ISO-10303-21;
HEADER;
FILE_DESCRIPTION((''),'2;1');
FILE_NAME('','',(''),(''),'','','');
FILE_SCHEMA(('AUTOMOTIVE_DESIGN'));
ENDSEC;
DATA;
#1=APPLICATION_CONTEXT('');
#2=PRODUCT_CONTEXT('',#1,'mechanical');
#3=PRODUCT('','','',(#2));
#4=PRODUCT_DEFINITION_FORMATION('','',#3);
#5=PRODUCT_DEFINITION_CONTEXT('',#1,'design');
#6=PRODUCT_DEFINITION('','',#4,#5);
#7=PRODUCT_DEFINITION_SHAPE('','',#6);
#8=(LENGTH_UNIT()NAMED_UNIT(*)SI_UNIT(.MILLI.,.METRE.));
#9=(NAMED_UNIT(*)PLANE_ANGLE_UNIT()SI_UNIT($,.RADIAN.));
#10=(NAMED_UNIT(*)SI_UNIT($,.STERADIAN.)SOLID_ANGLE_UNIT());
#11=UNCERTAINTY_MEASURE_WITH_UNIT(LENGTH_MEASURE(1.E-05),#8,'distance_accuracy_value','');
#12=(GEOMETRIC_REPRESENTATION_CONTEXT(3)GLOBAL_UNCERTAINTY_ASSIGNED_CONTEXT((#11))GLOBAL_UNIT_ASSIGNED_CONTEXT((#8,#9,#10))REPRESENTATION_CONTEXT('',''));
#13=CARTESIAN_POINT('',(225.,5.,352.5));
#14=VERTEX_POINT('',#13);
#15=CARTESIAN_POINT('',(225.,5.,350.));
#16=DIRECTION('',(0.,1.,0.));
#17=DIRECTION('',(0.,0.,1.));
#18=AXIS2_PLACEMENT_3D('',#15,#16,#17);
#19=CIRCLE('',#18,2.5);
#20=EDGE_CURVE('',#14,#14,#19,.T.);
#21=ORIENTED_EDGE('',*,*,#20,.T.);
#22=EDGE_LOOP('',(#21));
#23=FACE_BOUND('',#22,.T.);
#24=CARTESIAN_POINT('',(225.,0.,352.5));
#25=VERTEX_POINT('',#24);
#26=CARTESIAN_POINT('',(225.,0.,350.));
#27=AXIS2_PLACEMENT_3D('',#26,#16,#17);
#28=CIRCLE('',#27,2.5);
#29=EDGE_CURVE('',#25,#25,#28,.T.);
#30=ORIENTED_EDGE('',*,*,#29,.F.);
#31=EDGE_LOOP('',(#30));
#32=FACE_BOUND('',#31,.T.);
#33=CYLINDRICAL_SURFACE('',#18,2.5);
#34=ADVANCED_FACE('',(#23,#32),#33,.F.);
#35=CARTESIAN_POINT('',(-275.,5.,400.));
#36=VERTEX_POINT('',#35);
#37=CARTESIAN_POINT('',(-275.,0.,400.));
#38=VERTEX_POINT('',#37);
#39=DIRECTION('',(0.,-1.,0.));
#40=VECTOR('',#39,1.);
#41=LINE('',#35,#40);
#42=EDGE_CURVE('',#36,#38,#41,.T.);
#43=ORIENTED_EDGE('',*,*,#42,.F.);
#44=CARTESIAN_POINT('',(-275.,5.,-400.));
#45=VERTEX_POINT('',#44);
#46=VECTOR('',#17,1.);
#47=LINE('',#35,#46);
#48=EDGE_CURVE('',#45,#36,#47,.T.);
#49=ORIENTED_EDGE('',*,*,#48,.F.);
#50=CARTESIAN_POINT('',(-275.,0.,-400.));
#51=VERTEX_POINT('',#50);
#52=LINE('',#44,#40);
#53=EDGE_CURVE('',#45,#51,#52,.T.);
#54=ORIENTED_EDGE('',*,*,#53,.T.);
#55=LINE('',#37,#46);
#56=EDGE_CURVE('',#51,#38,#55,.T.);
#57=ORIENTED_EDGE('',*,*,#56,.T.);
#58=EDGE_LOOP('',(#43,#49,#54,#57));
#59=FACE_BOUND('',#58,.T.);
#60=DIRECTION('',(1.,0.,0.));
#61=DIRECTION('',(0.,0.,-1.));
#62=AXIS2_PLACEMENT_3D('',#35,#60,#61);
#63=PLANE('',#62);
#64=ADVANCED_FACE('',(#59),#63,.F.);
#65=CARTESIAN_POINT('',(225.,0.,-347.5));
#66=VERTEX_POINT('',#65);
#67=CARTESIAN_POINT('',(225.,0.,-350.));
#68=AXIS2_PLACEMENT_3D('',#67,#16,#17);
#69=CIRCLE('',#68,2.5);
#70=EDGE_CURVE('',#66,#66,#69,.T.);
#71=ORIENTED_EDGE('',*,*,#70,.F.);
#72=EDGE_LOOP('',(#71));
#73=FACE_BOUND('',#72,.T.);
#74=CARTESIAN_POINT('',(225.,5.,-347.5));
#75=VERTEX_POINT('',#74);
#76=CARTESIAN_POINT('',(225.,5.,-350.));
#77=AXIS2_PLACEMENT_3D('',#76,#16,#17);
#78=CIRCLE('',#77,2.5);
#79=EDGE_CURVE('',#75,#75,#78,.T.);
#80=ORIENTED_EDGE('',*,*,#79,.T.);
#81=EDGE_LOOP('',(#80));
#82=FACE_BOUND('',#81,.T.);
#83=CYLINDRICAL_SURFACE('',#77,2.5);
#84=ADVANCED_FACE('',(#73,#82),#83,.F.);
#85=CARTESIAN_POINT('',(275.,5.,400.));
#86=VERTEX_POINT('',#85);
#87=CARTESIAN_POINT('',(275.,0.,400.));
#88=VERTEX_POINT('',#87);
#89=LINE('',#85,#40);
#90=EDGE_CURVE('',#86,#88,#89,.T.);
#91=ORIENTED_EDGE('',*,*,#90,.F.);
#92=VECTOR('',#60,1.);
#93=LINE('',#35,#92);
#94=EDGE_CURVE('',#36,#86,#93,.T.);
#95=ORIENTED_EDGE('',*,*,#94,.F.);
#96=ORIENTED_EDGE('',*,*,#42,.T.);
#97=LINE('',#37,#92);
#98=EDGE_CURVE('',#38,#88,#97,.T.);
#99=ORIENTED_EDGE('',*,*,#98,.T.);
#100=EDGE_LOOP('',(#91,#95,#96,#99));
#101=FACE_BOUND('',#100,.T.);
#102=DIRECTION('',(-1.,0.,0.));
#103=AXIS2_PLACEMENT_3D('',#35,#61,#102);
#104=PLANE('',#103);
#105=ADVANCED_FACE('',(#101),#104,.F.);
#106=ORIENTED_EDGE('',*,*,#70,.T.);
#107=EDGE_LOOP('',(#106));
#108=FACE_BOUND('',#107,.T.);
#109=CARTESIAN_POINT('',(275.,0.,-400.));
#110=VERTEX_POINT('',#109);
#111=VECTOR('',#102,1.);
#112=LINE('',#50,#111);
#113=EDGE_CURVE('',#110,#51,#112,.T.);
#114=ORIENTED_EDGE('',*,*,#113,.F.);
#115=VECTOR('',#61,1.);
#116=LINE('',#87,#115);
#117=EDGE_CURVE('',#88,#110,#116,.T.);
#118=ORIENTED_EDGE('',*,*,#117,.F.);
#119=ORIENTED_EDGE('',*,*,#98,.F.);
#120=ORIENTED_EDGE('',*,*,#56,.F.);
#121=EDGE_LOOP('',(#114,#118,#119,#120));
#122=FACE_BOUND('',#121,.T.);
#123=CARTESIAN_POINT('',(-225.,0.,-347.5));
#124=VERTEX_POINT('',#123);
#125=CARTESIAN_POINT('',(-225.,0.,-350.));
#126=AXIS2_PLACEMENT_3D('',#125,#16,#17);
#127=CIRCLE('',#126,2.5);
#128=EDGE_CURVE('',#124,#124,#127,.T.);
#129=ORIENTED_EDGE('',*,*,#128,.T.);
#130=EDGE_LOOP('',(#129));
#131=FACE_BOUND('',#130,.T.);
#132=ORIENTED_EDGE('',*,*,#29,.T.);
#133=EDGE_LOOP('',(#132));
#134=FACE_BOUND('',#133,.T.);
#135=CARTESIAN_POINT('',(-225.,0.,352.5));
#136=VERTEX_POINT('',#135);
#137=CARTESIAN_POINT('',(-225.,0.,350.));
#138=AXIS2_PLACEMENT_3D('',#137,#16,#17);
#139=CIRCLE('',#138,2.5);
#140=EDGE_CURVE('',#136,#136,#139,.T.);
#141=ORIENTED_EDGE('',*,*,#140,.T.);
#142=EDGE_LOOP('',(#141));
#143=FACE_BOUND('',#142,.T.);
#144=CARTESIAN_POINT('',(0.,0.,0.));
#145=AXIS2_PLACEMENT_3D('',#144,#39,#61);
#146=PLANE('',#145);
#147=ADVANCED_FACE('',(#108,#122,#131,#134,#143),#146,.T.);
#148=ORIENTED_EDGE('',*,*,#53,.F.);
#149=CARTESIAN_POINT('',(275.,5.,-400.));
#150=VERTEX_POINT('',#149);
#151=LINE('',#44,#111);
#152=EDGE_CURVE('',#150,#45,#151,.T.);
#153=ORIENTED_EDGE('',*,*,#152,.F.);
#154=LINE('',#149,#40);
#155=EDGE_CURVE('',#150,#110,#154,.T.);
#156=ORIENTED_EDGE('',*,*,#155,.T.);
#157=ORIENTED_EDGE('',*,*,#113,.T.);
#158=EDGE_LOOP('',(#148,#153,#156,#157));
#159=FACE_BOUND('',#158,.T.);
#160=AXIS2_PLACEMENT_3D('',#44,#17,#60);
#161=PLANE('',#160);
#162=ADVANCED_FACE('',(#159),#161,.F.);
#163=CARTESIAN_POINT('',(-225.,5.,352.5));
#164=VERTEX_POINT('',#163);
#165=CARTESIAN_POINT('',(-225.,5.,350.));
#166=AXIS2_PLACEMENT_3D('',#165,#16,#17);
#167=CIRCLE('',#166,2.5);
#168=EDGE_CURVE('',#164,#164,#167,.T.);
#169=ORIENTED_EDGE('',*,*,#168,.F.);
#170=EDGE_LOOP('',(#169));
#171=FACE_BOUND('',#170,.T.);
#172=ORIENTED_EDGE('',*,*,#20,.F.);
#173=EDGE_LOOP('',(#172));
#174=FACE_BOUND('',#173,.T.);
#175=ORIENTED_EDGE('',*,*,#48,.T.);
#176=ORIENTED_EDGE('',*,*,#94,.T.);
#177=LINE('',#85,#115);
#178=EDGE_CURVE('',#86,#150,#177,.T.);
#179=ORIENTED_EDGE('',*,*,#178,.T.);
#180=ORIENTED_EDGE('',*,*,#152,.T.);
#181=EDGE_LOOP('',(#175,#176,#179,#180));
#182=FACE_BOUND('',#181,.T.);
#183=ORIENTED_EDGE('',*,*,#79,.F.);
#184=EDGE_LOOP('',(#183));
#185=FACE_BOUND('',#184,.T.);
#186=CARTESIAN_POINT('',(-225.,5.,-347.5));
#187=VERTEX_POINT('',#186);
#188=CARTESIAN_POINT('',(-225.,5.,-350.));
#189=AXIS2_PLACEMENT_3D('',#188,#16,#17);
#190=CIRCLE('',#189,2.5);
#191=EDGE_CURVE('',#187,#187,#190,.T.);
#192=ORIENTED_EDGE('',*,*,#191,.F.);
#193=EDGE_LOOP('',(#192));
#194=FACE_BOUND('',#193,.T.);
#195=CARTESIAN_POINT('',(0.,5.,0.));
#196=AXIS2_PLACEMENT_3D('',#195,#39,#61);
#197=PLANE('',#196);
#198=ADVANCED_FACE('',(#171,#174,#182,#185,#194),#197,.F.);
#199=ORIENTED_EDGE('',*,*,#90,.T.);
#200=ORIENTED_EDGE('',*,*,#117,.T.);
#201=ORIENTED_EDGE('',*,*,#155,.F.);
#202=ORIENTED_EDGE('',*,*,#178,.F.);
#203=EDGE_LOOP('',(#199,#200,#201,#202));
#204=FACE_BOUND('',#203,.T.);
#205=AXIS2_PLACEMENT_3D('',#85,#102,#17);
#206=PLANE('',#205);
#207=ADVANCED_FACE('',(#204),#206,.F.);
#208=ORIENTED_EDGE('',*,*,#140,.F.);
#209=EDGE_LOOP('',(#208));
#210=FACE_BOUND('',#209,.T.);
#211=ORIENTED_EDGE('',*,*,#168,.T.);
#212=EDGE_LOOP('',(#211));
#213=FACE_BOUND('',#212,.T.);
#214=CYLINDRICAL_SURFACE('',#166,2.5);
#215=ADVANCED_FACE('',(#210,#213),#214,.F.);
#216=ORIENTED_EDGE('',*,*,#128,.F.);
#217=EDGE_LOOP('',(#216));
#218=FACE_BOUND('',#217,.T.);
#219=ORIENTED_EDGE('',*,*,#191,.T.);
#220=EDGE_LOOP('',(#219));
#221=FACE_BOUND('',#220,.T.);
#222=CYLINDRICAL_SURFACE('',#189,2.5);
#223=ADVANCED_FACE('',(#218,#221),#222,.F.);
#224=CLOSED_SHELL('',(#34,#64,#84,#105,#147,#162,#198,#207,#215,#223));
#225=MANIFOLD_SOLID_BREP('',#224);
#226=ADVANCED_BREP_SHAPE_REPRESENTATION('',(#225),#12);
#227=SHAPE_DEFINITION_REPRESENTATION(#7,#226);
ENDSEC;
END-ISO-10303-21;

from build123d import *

# Parameters (mm, degrees)
SKETCH1_W                = 550
SKETCH1_H                = 800
BOSS_EXTRUDE1_DEPTH      = 5
F_5_0_5_DIAMETER_HOLE1_D = 5


with BuildPart() as part:
    # Sketch1 → Boss-Extrude1 (new body)
    with BuildSketch(Plane(origin=(0, 0, 0), x_dir=(1, 0, 0), z_dir=(0, 1, 0))):
        Rectangle(SKETCH1_W, SKETCH1_H)
    extrude(amount=BOSS_EXTRUDE1_DEPTH)

    # Ø5.0 (5) Diameter Hole1 (through all)
    with Locations(Plane(origin=(0, 5, 0), x_dir=(1, 0, 0), z_dir=(0, 1, 0))):
        with Locations((-225, 350), (225, 350), (-225, -350), (225, -350)):
            Hole(F_5_0_5_DIAMETER_HOLE1_D / 2)


solid = part.part
